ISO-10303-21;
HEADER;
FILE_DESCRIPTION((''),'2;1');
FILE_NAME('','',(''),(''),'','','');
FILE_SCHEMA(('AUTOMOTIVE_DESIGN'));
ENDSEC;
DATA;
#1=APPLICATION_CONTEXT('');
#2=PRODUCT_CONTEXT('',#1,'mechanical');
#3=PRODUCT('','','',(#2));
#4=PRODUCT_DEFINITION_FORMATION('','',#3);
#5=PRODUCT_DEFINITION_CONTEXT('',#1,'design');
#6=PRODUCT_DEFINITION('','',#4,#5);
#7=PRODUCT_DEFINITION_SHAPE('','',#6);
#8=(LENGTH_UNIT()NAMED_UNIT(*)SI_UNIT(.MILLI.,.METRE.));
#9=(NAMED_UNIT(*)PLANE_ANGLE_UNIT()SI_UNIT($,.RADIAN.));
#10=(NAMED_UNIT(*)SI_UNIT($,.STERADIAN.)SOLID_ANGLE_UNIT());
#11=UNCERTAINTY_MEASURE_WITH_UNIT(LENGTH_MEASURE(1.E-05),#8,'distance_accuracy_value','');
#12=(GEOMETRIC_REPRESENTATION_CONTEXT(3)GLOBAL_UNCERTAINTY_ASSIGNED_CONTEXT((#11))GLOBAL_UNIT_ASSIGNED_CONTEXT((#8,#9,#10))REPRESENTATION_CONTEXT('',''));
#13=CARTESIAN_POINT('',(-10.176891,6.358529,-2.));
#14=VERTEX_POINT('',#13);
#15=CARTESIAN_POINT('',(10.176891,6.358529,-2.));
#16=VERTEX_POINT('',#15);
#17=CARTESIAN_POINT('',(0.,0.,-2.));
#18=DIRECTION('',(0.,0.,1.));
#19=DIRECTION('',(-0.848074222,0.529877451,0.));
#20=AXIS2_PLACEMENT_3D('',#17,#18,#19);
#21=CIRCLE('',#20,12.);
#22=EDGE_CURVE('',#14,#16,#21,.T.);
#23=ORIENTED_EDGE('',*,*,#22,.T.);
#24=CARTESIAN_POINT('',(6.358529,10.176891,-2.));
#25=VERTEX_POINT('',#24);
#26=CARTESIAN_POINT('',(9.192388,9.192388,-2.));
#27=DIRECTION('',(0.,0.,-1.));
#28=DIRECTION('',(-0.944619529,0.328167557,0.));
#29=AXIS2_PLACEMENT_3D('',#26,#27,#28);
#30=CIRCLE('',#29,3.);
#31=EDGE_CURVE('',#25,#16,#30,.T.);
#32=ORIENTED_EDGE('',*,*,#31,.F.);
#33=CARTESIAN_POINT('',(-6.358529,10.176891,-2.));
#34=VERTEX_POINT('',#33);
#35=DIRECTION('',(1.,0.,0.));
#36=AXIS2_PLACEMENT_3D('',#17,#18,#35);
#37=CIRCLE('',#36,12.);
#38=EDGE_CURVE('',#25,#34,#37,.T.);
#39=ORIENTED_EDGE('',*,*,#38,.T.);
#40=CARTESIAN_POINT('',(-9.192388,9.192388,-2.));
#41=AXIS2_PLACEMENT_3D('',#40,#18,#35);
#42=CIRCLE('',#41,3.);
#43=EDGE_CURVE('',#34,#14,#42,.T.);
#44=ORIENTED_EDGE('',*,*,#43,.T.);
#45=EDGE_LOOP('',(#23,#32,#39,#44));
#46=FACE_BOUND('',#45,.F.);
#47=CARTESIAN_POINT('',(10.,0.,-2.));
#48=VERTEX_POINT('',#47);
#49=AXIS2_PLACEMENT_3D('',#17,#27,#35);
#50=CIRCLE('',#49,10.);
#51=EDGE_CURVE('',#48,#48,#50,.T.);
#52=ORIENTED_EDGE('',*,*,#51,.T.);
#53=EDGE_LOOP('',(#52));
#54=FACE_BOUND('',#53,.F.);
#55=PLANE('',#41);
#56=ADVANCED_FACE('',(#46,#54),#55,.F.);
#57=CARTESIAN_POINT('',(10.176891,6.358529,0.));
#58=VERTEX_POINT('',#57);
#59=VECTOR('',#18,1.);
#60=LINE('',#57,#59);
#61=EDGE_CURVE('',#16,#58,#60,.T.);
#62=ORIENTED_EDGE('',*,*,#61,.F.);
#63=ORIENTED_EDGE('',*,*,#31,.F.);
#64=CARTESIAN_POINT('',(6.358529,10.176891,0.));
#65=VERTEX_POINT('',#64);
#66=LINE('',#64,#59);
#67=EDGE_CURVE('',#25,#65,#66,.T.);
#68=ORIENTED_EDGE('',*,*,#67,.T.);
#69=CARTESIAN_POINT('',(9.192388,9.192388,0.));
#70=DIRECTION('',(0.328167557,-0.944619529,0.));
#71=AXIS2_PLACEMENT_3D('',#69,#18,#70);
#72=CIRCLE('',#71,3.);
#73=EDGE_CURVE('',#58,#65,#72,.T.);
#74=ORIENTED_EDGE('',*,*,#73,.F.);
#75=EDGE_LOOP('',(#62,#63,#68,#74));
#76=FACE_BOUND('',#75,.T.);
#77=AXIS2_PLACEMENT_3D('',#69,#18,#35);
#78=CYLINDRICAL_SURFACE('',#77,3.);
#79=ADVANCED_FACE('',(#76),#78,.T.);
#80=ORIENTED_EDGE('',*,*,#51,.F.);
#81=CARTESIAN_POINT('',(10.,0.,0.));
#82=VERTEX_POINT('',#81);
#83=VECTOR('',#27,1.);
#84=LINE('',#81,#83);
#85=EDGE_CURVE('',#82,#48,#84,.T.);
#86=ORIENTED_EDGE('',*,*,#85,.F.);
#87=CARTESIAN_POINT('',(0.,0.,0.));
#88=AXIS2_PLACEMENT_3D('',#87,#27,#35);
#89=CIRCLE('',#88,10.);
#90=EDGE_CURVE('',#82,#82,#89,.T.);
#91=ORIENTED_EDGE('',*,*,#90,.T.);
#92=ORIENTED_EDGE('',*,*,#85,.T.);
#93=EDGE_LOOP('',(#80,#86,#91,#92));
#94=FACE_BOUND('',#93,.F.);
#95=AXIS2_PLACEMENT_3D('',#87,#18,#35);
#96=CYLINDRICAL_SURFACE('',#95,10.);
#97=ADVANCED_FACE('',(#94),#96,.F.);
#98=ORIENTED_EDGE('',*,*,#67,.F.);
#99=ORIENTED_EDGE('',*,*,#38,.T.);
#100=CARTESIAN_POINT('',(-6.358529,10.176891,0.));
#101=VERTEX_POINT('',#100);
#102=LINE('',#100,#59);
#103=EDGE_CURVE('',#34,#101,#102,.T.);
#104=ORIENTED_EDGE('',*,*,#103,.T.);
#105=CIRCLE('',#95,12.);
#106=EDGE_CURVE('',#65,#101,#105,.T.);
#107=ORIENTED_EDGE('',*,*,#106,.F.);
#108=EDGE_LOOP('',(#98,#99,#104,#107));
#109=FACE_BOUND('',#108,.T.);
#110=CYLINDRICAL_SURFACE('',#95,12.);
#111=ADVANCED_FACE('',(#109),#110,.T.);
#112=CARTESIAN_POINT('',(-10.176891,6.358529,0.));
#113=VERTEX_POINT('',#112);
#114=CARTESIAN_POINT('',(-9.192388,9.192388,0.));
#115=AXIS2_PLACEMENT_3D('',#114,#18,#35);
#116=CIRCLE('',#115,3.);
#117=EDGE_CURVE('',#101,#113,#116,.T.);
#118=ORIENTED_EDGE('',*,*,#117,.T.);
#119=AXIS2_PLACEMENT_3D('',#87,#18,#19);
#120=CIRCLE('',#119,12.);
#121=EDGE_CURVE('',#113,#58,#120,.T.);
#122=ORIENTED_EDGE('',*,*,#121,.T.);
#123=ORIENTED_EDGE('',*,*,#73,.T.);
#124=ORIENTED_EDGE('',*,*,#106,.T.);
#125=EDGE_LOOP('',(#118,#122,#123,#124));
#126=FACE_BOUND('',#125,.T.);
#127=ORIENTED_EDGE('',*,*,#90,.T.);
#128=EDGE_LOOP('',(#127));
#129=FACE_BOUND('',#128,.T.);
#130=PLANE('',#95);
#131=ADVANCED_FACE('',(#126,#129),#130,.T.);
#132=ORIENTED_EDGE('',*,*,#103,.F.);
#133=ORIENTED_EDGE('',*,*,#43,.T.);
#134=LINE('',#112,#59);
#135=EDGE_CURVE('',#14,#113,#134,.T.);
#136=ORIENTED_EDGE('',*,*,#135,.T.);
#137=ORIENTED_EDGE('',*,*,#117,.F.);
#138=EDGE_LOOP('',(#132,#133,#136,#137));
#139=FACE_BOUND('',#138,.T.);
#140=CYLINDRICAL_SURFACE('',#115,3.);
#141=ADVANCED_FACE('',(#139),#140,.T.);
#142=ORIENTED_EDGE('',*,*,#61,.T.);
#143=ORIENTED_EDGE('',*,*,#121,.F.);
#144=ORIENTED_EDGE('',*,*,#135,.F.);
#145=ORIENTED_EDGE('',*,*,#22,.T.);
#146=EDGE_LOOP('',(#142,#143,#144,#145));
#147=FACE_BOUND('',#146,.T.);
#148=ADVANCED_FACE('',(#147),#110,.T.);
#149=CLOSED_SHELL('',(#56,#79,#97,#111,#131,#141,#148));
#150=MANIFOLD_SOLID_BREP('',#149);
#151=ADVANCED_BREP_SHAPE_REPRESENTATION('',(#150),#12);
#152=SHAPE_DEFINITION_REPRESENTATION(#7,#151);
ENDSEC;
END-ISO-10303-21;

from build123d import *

# Parameters (mm, degrees)
SKETCH_R     = 12
SKETCH_R_2   = 10
PAD_DEPTH    = 2
SKETCH001_R  = 3
PAD001_DEPTH = 2


with BuildPart() as part:
    # Sketch → Pad (new body)
    with BuildSketch(Plane.XY):
        Circle(SKETCH_R)
        Circle(SKETCH_R_2, mode=Mode.SUBTRACT)
    extrude(amount=-PAD_DEPTH)

    # Sketch001 → Pad001 (join)
    with BuildSketch(Plane.XY):
        with Locations((-9.192388, 9.192388)):
            Circle(SKETCH001_R)
        with Locations((9.192388, 9.192388)):
            Circle(SKETCH001_R)
    extrude(amount=-PAD001_DEPTH)


solid = part.part
